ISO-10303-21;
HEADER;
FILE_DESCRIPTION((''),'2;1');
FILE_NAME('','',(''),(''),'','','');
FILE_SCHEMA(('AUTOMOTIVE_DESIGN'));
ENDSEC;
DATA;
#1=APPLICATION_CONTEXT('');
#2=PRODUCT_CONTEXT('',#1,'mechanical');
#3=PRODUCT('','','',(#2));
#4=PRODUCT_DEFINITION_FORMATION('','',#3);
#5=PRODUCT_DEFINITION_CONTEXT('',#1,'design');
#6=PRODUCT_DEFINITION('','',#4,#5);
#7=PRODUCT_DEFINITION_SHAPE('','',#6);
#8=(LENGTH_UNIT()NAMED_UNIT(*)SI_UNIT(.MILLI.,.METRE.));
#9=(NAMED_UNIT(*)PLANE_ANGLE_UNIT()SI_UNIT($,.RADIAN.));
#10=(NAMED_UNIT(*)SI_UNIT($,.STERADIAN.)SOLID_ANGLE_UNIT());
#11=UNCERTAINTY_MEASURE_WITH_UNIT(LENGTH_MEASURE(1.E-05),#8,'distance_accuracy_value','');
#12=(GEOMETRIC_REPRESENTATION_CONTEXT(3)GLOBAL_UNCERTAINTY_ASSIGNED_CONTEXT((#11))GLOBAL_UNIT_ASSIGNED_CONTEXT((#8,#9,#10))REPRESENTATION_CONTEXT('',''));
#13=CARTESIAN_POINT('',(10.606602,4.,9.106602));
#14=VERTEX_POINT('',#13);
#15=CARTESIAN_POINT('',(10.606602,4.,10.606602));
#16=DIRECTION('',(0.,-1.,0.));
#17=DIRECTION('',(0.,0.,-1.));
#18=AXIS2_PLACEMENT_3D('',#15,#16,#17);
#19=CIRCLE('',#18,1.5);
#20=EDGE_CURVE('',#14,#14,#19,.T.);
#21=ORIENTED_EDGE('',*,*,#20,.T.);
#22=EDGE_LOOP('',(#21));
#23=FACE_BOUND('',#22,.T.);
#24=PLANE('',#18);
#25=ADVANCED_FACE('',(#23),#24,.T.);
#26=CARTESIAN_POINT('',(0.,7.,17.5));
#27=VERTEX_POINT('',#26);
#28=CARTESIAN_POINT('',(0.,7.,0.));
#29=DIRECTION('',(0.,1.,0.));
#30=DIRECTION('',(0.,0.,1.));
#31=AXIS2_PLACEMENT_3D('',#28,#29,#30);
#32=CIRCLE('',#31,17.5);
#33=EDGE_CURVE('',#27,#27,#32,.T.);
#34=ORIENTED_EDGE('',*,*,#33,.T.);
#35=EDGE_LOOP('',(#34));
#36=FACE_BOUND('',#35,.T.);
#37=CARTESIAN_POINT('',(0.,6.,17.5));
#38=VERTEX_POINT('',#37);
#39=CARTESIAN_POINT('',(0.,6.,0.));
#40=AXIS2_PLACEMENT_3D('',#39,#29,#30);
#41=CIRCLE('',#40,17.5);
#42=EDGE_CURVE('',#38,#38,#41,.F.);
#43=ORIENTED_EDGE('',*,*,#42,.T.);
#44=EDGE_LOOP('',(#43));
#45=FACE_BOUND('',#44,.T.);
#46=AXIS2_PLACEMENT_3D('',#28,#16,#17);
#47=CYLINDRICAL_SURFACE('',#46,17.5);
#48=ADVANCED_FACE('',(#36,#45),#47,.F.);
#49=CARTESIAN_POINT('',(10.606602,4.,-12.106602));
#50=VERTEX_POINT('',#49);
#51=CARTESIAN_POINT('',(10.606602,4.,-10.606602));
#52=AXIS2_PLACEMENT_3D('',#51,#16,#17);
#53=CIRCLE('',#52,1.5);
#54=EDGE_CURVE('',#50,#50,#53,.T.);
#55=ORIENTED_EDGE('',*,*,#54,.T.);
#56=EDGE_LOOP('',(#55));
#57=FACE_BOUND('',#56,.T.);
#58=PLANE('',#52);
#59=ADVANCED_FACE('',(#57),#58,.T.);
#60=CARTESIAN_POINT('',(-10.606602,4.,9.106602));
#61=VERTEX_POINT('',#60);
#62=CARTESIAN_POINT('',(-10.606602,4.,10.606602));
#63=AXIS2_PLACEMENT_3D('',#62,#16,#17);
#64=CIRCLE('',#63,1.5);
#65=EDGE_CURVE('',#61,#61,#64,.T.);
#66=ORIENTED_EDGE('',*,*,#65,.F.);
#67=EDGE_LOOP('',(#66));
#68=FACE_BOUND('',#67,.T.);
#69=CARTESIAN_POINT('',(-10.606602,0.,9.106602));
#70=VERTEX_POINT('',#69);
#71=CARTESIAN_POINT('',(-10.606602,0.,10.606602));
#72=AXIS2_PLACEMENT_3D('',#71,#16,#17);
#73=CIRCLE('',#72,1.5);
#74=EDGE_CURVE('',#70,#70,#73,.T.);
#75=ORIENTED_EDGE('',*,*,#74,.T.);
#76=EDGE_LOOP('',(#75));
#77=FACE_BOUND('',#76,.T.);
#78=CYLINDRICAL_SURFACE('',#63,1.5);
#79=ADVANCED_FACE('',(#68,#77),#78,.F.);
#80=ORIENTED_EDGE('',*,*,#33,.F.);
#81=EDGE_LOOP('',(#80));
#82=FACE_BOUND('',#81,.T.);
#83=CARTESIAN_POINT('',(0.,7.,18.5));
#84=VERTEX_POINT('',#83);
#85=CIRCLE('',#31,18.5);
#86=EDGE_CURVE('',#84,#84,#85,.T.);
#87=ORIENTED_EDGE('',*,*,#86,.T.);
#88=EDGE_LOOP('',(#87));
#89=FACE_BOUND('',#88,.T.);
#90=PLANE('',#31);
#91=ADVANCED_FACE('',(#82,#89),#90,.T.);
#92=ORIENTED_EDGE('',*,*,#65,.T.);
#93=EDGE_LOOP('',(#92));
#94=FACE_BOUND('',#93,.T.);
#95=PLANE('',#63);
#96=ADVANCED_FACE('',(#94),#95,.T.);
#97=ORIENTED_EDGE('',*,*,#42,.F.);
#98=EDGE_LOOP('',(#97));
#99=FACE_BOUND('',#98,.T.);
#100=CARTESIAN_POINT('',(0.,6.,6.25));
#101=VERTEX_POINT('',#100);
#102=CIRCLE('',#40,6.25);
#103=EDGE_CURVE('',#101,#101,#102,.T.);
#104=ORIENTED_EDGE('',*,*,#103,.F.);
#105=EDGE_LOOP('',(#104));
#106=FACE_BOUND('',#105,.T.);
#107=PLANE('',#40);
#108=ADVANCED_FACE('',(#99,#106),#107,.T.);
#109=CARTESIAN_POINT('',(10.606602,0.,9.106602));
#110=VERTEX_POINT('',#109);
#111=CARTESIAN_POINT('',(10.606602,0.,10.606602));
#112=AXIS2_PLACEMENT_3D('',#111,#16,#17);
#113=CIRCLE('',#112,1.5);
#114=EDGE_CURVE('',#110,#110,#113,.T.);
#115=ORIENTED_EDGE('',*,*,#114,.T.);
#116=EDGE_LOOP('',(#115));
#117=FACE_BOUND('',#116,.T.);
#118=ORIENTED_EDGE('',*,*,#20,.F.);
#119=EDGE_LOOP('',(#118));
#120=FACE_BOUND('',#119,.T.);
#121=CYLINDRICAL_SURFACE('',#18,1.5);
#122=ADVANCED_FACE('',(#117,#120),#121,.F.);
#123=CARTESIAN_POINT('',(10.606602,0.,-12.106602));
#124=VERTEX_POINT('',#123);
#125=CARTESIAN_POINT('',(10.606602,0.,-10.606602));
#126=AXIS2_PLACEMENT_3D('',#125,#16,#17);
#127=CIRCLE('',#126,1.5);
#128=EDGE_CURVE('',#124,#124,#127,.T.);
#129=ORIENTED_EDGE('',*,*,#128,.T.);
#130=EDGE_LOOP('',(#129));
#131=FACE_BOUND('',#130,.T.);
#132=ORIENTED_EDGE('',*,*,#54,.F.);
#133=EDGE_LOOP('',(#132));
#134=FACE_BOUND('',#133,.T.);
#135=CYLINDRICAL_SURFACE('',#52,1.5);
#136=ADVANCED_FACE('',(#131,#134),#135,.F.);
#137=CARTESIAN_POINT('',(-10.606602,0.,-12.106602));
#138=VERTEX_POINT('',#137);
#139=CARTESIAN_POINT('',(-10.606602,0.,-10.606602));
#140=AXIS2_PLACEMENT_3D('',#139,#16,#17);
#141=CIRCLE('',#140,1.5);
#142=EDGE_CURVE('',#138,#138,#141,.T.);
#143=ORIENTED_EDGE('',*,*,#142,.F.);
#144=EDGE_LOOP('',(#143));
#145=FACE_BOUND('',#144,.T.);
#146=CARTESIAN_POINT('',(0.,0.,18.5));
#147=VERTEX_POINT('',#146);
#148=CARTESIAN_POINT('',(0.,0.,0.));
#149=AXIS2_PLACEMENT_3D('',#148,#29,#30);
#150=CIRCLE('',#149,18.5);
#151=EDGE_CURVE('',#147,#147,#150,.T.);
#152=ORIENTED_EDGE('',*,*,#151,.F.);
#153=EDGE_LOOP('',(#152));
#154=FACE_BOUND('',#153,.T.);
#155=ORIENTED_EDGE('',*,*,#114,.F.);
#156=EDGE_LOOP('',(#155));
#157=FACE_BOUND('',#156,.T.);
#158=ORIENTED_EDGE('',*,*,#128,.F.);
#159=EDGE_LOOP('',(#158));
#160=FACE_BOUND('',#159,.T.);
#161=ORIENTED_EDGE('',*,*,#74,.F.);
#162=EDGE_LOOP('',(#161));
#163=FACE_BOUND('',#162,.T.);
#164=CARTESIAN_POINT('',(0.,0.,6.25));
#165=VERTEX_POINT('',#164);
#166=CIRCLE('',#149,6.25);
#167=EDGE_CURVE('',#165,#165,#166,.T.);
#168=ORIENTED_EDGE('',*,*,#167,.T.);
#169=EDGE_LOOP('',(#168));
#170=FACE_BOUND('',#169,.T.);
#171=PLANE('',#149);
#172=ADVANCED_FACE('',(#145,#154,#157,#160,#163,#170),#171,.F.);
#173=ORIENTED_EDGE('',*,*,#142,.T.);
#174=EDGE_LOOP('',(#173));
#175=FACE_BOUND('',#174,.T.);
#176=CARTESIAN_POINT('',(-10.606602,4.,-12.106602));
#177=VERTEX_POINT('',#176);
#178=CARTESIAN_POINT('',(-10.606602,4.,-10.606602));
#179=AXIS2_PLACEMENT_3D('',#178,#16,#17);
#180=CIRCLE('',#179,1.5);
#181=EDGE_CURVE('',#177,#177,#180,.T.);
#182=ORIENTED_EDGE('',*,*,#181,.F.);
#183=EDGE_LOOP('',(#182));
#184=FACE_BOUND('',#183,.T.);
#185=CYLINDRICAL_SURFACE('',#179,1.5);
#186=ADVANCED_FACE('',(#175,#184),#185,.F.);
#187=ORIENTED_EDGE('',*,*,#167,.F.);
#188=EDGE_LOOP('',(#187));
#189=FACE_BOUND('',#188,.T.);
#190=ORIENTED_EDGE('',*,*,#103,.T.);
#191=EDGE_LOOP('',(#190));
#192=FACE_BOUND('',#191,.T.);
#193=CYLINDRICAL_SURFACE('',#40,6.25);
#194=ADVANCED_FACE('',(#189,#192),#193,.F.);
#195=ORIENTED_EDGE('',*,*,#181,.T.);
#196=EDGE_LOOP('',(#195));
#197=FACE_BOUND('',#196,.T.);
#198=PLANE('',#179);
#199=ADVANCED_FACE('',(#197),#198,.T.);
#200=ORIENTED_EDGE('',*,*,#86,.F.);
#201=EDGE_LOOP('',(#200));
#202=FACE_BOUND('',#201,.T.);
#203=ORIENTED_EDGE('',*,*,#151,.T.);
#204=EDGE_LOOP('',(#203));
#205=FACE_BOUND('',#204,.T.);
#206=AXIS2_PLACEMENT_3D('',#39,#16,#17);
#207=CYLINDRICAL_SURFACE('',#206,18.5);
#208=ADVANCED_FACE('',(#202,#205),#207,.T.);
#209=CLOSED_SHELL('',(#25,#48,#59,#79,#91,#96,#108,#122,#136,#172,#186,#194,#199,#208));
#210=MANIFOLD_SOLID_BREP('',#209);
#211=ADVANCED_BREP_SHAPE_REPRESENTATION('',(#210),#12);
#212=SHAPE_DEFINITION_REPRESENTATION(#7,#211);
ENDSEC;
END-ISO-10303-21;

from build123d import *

# Parameters (mm, degrees)
SKETCH1_R              = 18.5
BOSS_EXTRUDE1_DEPTH    = 6
SKETCH2_R              = 18.5
SKETCH2_R_2            = 17.5
BOSS_EXTRUDE2_DEPTH    = 1
M14X1_5_TAPPED_HOLE1_D = 12.5
SKETCH5_R              = 1.5
CUT_EXTRUDE1_DEPTH     = 4


with BuildPart() as part:
    # Sketch1 → Boss-Extrude1 (new body)
    with BuildSketch(Plane(origin=(0, 0, 0), x_dir=(1, 0, 0), z_dir=(0, 1, 0))):
        with Locations(Location((0, 0, 0), (0, 0, 270))):
            Circle(SKETCH1_R)
    extrude(amount=BOSS_EXTRUDE1_DEPTH)

    # Sketch2 → Boss-Extrude2 (add)
    with BuildSketch(Plane(origin=(0, 6, 0), x_dir=(1, 0, 0), z_dir=(0, 1, 0))):
        with Locations(Location((0, 0, 0), (0, 0, 270))):
            Circle(SKETCH2_R)
        with Locations(Location((0, 0, 0), (0, 0, 270))):
            Circle(SKETCH2_R_2, mode=Mode.SUBTRACT)
    extrude(amount=BOSS_EXTRUDE2_DEPTH)

    # M14x1.5 Tapped Hole1 (through all)
    with Locations(Plane(origin=(0, 6, 0), x_dir=(1, 0, 0), z_dir=(0, 1, 0))):
        with Locations((0, 0)):
            Hole(M14X1_5_TAPPED_HOLE1_D / 2)

    # Sketch5 → Cut-Extrude1 (cut)
    with BuildSketch(Plane.XZ):
        with Locations(Location((-10.606601718, 10.606601718, 0), (0, 0, 270))):
            Circle(SKETCH5_R)
        with Locations(Location((10.606601718, 10.606601718, 0), (0, 0, 270))):
            Circle(SKETCH5_R)
        with Locations(Location((10.606601718, -10.606601718, 0), (0, 0, 270))):
            Circle(SKETCH5_R)
        with Locations(Location((-10.606601718, -10.606601718, 0), (0, 0, 270))):
            Circle(SKETCH5_R)
    extrude(amount=-CUT_EXTRUDE1_DEPTH, mode=Mode.SUBTRACT)


solid = part.part
